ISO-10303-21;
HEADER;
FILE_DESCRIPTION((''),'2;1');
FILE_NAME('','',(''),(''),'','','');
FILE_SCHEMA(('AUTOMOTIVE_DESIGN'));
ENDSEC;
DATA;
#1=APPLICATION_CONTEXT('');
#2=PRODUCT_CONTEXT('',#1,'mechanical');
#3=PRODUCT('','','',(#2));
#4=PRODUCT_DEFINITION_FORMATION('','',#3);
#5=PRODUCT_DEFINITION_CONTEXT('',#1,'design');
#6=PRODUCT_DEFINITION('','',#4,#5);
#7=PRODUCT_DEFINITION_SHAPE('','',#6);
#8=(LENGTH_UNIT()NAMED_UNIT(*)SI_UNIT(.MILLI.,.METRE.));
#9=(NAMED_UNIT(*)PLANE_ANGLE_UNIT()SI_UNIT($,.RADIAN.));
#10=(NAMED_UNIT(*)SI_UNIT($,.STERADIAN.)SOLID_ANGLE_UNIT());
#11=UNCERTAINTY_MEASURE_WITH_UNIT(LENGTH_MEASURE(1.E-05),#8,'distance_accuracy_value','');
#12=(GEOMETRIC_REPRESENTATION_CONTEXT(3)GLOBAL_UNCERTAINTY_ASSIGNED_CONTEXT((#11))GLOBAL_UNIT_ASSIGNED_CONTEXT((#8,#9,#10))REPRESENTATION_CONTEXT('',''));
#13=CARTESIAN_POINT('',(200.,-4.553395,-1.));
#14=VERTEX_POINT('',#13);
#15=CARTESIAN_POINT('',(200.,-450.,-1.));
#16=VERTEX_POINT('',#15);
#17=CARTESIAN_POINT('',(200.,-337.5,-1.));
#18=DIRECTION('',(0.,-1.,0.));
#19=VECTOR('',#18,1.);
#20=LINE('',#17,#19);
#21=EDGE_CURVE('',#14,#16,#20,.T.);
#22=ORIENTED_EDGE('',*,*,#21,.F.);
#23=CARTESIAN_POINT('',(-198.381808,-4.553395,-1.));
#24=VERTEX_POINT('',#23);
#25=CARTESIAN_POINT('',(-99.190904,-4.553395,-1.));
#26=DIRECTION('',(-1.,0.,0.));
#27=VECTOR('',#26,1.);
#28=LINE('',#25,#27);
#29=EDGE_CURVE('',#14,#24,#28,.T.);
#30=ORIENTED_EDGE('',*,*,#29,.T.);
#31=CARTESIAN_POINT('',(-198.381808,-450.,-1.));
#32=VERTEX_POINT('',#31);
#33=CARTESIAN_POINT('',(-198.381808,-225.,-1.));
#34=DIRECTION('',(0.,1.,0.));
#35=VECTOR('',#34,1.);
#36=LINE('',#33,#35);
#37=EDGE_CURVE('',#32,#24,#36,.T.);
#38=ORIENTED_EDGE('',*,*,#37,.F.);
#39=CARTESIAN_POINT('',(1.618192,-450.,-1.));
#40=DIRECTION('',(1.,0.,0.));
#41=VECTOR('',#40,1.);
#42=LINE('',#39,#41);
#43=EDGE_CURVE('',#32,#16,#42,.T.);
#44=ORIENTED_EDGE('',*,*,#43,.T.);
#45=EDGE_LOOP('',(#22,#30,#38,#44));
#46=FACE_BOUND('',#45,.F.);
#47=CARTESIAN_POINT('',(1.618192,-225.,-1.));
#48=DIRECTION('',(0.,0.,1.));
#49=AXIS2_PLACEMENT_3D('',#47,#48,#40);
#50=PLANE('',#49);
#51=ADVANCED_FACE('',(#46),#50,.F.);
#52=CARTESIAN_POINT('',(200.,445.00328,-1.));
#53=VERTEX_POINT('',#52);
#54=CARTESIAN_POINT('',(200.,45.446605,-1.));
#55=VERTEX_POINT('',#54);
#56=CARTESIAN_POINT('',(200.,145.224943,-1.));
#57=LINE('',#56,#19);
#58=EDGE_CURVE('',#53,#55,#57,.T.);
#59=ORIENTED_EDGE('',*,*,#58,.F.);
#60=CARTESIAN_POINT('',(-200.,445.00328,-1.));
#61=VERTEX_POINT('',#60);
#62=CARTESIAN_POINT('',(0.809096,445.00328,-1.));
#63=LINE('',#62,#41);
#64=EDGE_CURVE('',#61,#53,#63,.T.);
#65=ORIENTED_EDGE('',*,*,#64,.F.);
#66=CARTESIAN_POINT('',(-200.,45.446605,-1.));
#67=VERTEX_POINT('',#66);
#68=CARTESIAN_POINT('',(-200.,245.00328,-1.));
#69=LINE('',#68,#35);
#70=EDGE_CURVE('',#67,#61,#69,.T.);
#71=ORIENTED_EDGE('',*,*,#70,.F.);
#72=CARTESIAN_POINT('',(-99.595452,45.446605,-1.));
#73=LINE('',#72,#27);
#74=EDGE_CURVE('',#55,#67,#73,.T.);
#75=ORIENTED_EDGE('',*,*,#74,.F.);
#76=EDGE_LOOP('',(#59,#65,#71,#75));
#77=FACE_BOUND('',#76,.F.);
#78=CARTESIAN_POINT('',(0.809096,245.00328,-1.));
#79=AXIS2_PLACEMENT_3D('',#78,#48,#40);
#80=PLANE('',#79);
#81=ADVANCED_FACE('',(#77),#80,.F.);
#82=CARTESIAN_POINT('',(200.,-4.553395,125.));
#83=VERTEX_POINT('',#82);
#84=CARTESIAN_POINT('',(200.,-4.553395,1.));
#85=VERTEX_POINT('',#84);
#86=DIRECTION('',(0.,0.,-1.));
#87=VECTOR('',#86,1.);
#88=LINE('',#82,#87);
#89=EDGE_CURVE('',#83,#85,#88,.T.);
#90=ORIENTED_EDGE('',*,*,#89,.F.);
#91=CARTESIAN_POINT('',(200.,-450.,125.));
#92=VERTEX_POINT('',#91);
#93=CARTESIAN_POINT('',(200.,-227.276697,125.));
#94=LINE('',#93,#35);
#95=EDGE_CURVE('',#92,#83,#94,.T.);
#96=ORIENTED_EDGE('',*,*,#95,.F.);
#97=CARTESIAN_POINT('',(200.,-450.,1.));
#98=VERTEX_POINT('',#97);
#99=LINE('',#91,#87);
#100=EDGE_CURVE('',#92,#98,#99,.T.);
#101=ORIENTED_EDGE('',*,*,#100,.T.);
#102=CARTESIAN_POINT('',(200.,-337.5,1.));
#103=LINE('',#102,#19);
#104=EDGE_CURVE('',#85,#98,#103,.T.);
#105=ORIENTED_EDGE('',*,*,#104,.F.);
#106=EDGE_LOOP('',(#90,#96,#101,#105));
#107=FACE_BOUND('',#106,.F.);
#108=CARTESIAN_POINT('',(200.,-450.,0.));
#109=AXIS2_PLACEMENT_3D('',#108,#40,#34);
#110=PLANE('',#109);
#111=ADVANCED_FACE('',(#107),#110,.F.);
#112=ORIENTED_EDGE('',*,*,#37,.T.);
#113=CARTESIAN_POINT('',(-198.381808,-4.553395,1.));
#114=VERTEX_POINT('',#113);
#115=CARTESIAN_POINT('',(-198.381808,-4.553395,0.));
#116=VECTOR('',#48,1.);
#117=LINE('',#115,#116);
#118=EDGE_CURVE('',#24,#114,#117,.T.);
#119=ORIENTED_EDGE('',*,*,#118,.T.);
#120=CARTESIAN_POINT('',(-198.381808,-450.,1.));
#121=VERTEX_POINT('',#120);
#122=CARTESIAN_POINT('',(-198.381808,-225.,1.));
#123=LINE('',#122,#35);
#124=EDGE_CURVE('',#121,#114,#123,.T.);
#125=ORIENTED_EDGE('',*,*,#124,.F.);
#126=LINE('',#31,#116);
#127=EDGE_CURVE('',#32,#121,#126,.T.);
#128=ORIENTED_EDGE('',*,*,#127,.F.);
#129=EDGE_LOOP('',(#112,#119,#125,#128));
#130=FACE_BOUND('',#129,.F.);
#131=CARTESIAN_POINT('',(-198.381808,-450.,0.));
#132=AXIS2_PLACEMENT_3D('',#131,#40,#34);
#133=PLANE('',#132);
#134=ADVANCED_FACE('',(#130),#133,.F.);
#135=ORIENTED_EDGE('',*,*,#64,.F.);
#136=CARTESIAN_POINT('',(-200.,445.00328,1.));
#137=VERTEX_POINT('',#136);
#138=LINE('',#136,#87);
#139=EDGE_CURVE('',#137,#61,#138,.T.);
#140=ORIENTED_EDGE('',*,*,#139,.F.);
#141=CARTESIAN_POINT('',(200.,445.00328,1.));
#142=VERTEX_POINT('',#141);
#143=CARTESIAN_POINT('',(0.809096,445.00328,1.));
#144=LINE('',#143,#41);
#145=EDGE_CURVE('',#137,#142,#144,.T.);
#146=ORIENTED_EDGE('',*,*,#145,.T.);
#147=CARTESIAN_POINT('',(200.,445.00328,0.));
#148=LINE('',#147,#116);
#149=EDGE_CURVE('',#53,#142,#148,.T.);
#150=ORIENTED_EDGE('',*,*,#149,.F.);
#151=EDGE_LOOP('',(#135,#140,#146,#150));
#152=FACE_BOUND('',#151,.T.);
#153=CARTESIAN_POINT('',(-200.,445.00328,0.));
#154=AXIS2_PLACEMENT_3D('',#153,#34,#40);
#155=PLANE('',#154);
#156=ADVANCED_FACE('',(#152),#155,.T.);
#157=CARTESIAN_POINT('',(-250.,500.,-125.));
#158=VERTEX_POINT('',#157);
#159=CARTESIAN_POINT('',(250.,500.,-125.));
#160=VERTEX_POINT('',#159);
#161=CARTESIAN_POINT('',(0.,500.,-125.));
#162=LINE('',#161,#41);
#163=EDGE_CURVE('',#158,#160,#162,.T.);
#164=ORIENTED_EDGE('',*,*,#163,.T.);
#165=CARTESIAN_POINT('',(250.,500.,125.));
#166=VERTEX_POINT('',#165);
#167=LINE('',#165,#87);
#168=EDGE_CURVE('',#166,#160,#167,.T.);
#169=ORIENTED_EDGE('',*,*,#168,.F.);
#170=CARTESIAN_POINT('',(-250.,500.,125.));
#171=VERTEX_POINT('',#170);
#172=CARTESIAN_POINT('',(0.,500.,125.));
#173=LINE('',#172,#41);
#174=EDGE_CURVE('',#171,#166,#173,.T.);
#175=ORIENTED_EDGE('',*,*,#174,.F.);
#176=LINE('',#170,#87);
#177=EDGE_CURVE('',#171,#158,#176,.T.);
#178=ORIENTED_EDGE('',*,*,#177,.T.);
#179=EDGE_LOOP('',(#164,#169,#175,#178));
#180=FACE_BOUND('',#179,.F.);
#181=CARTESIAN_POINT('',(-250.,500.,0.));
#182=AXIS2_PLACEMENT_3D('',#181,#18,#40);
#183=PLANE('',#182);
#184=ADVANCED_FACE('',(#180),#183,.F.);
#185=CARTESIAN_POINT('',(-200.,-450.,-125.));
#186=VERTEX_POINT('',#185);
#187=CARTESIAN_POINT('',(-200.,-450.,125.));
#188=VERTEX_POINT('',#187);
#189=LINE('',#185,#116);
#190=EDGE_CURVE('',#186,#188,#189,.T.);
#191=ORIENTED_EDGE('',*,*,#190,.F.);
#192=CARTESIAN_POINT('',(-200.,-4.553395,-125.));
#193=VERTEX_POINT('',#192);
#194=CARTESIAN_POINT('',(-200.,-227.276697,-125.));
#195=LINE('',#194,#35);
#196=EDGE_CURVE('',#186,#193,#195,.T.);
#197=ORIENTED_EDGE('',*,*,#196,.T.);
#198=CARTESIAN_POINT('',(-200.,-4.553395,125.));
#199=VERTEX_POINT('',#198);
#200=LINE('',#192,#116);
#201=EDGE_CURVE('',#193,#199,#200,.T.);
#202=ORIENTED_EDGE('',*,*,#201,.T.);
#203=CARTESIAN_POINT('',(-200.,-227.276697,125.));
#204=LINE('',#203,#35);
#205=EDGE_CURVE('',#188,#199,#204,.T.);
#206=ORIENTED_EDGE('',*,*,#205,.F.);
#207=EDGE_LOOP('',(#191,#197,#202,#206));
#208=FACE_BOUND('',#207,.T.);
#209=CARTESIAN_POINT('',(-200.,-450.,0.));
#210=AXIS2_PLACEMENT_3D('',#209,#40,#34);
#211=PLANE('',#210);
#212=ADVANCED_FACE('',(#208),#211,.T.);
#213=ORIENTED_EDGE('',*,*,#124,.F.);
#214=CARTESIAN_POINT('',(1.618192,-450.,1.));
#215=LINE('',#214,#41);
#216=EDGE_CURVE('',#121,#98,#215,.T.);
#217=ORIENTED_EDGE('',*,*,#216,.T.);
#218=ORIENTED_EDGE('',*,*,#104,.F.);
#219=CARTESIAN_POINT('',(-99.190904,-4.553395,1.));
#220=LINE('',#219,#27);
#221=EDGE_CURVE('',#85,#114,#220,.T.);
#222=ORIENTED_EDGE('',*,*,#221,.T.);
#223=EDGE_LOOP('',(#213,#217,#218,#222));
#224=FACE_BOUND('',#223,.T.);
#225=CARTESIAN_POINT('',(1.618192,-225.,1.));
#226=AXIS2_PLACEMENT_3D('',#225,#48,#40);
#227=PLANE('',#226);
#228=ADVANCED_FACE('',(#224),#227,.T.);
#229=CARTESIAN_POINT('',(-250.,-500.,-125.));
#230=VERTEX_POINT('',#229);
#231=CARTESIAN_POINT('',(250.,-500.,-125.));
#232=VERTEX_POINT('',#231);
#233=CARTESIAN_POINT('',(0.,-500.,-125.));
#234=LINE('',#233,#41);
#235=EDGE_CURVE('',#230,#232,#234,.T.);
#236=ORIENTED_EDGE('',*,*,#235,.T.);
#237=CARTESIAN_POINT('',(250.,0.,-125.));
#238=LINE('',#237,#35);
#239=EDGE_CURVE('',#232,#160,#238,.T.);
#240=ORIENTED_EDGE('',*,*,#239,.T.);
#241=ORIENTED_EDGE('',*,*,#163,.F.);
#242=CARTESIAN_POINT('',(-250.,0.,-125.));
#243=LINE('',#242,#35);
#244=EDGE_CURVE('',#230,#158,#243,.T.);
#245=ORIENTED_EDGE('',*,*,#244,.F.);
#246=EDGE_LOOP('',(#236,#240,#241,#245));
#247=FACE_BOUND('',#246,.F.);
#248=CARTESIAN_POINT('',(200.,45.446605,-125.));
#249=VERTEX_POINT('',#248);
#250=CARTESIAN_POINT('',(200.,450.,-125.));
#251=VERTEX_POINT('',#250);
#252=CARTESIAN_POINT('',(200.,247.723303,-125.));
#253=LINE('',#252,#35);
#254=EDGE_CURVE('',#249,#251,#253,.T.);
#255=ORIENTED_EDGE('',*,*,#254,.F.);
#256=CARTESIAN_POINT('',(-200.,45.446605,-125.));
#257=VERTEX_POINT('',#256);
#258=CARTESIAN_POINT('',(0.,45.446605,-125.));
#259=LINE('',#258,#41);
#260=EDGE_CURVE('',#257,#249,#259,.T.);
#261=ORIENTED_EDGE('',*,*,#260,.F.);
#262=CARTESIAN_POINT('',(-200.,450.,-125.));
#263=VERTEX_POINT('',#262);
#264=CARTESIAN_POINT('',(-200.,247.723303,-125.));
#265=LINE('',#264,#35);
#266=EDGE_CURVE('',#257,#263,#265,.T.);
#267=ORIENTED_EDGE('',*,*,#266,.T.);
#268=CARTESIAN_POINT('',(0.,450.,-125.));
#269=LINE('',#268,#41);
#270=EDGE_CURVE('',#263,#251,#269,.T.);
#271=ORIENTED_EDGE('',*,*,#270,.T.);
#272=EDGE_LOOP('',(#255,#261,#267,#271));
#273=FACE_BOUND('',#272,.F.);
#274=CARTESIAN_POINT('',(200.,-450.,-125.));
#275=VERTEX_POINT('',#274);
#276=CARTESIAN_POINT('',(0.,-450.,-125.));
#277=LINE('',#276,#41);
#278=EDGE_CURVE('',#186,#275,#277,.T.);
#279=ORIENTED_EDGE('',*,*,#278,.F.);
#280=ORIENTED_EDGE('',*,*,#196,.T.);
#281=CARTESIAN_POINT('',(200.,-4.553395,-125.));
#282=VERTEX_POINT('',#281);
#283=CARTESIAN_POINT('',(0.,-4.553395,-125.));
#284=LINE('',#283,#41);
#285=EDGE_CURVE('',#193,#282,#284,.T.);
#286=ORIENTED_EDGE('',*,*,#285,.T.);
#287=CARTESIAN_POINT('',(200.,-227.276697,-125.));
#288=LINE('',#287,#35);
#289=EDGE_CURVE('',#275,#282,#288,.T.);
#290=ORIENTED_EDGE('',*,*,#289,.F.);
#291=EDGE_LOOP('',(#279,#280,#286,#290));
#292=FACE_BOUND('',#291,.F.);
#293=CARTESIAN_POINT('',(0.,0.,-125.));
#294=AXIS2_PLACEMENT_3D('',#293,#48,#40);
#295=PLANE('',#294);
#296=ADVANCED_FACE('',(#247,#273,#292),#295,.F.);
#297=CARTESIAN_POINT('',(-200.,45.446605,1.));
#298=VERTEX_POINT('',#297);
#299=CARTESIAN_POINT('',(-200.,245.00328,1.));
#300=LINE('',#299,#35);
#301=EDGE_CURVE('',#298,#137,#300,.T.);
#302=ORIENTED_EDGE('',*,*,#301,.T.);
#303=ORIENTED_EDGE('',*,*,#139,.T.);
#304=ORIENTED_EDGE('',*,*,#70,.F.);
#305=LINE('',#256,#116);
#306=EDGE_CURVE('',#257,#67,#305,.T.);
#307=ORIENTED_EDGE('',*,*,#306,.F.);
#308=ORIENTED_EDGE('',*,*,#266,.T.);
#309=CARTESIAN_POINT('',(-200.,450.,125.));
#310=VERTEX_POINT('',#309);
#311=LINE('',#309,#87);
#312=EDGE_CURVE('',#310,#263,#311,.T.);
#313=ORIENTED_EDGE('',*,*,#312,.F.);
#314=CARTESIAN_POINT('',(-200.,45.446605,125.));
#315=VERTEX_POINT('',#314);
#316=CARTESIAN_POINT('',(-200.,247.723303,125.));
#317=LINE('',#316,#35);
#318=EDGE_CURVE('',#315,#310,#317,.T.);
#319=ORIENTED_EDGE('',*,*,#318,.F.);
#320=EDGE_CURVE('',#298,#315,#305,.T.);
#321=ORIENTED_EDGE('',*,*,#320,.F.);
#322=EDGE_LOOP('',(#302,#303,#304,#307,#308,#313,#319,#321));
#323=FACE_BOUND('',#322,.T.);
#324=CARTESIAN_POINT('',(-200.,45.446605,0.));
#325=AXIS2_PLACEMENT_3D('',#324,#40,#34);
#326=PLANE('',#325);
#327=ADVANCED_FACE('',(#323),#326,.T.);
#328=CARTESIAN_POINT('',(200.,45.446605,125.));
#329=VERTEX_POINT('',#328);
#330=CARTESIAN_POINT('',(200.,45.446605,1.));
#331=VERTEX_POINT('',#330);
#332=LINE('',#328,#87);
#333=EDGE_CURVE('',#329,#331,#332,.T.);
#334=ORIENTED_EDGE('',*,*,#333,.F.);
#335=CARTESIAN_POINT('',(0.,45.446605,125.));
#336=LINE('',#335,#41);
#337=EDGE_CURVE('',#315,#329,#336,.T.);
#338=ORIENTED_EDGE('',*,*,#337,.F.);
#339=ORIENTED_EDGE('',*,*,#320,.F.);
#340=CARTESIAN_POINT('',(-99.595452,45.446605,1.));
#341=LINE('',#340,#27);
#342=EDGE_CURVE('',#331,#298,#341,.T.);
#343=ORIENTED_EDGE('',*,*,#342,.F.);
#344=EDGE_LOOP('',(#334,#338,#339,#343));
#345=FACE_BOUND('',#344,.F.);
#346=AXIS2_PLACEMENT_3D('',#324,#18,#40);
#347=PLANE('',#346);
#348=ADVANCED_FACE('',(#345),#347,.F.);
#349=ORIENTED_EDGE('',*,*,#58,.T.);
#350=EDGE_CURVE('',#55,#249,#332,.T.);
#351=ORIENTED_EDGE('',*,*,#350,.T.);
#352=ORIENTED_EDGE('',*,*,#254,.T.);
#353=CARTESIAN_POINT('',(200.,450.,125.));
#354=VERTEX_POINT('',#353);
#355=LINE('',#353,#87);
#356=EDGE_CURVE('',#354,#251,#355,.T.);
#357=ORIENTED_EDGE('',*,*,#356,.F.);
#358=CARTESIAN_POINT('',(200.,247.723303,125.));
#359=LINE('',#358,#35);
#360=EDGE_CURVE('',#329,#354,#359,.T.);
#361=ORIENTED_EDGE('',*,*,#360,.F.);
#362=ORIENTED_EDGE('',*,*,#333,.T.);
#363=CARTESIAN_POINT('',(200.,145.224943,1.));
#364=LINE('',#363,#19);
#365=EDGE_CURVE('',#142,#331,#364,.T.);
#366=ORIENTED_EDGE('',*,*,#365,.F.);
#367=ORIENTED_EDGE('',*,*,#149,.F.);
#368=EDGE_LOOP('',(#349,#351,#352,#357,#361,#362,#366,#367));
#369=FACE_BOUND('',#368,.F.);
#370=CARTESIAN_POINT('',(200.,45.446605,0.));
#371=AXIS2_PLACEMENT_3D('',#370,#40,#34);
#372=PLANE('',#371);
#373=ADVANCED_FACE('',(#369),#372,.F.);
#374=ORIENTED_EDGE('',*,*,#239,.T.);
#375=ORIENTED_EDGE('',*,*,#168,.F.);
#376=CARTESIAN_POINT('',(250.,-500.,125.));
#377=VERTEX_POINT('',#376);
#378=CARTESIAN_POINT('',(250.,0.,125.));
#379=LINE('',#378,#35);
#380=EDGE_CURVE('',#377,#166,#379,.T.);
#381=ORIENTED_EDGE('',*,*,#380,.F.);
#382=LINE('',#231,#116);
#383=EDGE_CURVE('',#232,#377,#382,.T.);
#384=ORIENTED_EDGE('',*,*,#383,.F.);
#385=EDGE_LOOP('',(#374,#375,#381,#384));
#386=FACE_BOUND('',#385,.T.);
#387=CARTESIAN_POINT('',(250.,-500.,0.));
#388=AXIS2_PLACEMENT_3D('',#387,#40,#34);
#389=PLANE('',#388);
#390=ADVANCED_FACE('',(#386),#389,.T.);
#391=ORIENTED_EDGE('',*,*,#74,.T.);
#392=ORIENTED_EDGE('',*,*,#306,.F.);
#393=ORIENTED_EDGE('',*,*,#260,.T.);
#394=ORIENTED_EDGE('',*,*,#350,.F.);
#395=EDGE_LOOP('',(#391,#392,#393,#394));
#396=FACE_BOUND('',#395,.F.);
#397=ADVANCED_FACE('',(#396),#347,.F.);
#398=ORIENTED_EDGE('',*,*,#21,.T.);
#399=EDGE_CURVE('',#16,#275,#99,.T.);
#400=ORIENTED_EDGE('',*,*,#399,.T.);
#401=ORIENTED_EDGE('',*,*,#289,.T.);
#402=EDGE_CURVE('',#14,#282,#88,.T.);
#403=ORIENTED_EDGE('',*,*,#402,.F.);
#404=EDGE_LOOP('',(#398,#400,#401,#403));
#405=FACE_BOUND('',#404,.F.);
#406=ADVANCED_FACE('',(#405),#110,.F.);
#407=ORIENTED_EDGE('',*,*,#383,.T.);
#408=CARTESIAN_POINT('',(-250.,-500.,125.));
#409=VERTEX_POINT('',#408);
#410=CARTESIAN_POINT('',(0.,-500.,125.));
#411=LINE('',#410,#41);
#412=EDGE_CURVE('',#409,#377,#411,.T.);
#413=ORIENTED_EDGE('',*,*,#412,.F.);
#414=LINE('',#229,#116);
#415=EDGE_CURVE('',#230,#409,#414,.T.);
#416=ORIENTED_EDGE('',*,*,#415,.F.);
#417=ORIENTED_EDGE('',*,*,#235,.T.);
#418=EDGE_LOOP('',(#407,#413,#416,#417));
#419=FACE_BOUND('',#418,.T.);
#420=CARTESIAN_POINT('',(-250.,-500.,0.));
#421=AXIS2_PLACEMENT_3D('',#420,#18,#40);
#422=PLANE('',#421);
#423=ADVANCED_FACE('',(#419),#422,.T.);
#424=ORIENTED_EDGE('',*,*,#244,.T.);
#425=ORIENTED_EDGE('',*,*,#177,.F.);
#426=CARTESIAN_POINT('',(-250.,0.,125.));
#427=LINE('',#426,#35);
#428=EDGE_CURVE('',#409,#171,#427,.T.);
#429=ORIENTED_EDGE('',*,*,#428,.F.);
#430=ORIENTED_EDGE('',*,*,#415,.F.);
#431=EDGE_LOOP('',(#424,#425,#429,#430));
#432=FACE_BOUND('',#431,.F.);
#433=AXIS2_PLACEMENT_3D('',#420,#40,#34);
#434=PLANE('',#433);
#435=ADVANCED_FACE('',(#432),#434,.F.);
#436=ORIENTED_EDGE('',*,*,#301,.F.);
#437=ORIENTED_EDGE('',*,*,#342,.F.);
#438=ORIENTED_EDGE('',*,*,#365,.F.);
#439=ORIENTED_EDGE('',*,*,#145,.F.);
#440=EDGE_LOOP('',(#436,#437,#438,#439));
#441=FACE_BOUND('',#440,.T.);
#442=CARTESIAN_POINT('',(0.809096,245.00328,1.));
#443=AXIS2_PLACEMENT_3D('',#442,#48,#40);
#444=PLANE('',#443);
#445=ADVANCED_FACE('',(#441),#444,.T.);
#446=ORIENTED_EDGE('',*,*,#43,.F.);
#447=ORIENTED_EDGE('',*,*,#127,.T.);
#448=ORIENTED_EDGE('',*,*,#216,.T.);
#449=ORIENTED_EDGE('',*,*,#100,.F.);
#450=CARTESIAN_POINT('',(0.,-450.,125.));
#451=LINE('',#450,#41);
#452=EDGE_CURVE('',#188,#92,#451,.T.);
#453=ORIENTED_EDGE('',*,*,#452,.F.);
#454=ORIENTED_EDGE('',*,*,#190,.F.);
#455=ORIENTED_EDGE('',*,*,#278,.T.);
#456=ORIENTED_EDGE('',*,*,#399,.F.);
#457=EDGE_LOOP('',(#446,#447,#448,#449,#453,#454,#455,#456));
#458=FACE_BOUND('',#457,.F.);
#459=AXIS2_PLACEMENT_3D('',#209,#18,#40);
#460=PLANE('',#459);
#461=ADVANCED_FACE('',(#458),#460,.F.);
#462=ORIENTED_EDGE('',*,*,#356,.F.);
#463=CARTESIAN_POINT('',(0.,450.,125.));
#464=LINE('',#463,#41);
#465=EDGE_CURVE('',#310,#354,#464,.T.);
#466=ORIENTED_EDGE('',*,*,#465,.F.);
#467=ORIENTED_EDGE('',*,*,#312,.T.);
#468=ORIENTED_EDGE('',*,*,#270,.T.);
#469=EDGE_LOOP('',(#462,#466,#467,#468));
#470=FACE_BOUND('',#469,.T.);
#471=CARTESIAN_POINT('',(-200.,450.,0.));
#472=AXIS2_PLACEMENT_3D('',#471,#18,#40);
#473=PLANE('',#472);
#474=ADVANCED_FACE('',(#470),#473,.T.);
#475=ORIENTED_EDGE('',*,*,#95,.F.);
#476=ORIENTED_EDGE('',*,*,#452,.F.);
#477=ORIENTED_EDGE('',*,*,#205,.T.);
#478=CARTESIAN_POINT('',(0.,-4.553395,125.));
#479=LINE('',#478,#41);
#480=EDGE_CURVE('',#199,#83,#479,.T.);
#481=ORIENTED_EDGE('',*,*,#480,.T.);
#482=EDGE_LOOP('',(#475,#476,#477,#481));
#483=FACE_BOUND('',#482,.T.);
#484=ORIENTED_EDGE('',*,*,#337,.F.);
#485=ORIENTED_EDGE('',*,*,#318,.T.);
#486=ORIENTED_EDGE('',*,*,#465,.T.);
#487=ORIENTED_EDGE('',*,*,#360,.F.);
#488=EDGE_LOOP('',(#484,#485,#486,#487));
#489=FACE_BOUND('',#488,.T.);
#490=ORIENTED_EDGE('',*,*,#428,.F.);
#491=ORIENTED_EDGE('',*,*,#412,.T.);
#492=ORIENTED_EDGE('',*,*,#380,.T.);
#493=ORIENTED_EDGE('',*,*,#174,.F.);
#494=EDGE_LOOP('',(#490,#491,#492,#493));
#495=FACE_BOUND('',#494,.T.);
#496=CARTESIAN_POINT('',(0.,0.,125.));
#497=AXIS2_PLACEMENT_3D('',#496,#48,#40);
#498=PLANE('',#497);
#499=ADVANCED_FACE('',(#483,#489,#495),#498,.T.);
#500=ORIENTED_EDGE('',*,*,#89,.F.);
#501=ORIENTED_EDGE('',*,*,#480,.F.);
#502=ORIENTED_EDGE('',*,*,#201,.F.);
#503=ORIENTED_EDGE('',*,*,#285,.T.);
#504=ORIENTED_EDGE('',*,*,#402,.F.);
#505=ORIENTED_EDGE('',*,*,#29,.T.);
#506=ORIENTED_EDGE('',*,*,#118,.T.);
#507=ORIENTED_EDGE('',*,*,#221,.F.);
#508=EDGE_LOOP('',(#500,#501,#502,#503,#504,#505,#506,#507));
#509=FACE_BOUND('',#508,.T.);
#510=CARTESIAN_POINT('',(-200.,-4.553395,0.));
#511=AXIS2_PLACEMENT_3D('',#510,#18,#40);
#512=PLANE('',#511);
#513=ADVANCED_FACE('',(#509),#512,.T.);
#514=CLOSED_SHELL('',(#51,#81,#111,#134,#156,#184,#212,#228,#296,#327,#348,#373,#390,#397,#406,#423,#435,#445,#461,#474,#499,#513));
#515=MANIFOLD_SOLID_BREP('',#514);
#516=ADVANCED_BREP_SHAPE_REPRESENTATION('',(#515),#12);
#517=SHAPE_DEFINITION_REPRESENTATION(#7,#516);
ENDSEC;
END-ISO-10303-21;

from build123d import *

# Parameters (mm, degrees)
F0_W     = 500
F0_H     = 1000
F0_W_2   = 400
F0_H_2   = 445.4466052353
F0_H_3   = 404.5533947647
F1_DEPTH = 125
F2_W     = 401.6181921197
F2_H     = 400
F2_W_2   = 400
F2_H_2   = 450
F3_DEPTH = 1


with BuildPart() as f1:
    # F0 (on Top) → F1 (new body, symmetric)
    with BuildSketch(Plane.XY):
        Rectangle(F0_W, F0_H)
        with Locations((0, -227.2766973823)):
            Rectangle(F0_W_2, F0_H_2, mode=Mode.SUBTRACT)
        with Locations((0, 247.7233026177)):
            Rectangle(F0_W_2, F0_H_3, mode=Mode.SUBTRACT)
    extrude(amount=F1_DEPTH, both=True)

    # F2 (on Top) → F3 (join, symmetric)
    with BuildSketch(Plane.XY):
        with Locations((0.8090960599, 245.0032802157)):
            Rectangle(F2_W, F2_H)
        with Locations((1.6181921197, -225)):
            Rectangle(F2_W_2, F2_H_2)
    extrude(amount=F3_DEPTH, both=True)


solid = f1.part
